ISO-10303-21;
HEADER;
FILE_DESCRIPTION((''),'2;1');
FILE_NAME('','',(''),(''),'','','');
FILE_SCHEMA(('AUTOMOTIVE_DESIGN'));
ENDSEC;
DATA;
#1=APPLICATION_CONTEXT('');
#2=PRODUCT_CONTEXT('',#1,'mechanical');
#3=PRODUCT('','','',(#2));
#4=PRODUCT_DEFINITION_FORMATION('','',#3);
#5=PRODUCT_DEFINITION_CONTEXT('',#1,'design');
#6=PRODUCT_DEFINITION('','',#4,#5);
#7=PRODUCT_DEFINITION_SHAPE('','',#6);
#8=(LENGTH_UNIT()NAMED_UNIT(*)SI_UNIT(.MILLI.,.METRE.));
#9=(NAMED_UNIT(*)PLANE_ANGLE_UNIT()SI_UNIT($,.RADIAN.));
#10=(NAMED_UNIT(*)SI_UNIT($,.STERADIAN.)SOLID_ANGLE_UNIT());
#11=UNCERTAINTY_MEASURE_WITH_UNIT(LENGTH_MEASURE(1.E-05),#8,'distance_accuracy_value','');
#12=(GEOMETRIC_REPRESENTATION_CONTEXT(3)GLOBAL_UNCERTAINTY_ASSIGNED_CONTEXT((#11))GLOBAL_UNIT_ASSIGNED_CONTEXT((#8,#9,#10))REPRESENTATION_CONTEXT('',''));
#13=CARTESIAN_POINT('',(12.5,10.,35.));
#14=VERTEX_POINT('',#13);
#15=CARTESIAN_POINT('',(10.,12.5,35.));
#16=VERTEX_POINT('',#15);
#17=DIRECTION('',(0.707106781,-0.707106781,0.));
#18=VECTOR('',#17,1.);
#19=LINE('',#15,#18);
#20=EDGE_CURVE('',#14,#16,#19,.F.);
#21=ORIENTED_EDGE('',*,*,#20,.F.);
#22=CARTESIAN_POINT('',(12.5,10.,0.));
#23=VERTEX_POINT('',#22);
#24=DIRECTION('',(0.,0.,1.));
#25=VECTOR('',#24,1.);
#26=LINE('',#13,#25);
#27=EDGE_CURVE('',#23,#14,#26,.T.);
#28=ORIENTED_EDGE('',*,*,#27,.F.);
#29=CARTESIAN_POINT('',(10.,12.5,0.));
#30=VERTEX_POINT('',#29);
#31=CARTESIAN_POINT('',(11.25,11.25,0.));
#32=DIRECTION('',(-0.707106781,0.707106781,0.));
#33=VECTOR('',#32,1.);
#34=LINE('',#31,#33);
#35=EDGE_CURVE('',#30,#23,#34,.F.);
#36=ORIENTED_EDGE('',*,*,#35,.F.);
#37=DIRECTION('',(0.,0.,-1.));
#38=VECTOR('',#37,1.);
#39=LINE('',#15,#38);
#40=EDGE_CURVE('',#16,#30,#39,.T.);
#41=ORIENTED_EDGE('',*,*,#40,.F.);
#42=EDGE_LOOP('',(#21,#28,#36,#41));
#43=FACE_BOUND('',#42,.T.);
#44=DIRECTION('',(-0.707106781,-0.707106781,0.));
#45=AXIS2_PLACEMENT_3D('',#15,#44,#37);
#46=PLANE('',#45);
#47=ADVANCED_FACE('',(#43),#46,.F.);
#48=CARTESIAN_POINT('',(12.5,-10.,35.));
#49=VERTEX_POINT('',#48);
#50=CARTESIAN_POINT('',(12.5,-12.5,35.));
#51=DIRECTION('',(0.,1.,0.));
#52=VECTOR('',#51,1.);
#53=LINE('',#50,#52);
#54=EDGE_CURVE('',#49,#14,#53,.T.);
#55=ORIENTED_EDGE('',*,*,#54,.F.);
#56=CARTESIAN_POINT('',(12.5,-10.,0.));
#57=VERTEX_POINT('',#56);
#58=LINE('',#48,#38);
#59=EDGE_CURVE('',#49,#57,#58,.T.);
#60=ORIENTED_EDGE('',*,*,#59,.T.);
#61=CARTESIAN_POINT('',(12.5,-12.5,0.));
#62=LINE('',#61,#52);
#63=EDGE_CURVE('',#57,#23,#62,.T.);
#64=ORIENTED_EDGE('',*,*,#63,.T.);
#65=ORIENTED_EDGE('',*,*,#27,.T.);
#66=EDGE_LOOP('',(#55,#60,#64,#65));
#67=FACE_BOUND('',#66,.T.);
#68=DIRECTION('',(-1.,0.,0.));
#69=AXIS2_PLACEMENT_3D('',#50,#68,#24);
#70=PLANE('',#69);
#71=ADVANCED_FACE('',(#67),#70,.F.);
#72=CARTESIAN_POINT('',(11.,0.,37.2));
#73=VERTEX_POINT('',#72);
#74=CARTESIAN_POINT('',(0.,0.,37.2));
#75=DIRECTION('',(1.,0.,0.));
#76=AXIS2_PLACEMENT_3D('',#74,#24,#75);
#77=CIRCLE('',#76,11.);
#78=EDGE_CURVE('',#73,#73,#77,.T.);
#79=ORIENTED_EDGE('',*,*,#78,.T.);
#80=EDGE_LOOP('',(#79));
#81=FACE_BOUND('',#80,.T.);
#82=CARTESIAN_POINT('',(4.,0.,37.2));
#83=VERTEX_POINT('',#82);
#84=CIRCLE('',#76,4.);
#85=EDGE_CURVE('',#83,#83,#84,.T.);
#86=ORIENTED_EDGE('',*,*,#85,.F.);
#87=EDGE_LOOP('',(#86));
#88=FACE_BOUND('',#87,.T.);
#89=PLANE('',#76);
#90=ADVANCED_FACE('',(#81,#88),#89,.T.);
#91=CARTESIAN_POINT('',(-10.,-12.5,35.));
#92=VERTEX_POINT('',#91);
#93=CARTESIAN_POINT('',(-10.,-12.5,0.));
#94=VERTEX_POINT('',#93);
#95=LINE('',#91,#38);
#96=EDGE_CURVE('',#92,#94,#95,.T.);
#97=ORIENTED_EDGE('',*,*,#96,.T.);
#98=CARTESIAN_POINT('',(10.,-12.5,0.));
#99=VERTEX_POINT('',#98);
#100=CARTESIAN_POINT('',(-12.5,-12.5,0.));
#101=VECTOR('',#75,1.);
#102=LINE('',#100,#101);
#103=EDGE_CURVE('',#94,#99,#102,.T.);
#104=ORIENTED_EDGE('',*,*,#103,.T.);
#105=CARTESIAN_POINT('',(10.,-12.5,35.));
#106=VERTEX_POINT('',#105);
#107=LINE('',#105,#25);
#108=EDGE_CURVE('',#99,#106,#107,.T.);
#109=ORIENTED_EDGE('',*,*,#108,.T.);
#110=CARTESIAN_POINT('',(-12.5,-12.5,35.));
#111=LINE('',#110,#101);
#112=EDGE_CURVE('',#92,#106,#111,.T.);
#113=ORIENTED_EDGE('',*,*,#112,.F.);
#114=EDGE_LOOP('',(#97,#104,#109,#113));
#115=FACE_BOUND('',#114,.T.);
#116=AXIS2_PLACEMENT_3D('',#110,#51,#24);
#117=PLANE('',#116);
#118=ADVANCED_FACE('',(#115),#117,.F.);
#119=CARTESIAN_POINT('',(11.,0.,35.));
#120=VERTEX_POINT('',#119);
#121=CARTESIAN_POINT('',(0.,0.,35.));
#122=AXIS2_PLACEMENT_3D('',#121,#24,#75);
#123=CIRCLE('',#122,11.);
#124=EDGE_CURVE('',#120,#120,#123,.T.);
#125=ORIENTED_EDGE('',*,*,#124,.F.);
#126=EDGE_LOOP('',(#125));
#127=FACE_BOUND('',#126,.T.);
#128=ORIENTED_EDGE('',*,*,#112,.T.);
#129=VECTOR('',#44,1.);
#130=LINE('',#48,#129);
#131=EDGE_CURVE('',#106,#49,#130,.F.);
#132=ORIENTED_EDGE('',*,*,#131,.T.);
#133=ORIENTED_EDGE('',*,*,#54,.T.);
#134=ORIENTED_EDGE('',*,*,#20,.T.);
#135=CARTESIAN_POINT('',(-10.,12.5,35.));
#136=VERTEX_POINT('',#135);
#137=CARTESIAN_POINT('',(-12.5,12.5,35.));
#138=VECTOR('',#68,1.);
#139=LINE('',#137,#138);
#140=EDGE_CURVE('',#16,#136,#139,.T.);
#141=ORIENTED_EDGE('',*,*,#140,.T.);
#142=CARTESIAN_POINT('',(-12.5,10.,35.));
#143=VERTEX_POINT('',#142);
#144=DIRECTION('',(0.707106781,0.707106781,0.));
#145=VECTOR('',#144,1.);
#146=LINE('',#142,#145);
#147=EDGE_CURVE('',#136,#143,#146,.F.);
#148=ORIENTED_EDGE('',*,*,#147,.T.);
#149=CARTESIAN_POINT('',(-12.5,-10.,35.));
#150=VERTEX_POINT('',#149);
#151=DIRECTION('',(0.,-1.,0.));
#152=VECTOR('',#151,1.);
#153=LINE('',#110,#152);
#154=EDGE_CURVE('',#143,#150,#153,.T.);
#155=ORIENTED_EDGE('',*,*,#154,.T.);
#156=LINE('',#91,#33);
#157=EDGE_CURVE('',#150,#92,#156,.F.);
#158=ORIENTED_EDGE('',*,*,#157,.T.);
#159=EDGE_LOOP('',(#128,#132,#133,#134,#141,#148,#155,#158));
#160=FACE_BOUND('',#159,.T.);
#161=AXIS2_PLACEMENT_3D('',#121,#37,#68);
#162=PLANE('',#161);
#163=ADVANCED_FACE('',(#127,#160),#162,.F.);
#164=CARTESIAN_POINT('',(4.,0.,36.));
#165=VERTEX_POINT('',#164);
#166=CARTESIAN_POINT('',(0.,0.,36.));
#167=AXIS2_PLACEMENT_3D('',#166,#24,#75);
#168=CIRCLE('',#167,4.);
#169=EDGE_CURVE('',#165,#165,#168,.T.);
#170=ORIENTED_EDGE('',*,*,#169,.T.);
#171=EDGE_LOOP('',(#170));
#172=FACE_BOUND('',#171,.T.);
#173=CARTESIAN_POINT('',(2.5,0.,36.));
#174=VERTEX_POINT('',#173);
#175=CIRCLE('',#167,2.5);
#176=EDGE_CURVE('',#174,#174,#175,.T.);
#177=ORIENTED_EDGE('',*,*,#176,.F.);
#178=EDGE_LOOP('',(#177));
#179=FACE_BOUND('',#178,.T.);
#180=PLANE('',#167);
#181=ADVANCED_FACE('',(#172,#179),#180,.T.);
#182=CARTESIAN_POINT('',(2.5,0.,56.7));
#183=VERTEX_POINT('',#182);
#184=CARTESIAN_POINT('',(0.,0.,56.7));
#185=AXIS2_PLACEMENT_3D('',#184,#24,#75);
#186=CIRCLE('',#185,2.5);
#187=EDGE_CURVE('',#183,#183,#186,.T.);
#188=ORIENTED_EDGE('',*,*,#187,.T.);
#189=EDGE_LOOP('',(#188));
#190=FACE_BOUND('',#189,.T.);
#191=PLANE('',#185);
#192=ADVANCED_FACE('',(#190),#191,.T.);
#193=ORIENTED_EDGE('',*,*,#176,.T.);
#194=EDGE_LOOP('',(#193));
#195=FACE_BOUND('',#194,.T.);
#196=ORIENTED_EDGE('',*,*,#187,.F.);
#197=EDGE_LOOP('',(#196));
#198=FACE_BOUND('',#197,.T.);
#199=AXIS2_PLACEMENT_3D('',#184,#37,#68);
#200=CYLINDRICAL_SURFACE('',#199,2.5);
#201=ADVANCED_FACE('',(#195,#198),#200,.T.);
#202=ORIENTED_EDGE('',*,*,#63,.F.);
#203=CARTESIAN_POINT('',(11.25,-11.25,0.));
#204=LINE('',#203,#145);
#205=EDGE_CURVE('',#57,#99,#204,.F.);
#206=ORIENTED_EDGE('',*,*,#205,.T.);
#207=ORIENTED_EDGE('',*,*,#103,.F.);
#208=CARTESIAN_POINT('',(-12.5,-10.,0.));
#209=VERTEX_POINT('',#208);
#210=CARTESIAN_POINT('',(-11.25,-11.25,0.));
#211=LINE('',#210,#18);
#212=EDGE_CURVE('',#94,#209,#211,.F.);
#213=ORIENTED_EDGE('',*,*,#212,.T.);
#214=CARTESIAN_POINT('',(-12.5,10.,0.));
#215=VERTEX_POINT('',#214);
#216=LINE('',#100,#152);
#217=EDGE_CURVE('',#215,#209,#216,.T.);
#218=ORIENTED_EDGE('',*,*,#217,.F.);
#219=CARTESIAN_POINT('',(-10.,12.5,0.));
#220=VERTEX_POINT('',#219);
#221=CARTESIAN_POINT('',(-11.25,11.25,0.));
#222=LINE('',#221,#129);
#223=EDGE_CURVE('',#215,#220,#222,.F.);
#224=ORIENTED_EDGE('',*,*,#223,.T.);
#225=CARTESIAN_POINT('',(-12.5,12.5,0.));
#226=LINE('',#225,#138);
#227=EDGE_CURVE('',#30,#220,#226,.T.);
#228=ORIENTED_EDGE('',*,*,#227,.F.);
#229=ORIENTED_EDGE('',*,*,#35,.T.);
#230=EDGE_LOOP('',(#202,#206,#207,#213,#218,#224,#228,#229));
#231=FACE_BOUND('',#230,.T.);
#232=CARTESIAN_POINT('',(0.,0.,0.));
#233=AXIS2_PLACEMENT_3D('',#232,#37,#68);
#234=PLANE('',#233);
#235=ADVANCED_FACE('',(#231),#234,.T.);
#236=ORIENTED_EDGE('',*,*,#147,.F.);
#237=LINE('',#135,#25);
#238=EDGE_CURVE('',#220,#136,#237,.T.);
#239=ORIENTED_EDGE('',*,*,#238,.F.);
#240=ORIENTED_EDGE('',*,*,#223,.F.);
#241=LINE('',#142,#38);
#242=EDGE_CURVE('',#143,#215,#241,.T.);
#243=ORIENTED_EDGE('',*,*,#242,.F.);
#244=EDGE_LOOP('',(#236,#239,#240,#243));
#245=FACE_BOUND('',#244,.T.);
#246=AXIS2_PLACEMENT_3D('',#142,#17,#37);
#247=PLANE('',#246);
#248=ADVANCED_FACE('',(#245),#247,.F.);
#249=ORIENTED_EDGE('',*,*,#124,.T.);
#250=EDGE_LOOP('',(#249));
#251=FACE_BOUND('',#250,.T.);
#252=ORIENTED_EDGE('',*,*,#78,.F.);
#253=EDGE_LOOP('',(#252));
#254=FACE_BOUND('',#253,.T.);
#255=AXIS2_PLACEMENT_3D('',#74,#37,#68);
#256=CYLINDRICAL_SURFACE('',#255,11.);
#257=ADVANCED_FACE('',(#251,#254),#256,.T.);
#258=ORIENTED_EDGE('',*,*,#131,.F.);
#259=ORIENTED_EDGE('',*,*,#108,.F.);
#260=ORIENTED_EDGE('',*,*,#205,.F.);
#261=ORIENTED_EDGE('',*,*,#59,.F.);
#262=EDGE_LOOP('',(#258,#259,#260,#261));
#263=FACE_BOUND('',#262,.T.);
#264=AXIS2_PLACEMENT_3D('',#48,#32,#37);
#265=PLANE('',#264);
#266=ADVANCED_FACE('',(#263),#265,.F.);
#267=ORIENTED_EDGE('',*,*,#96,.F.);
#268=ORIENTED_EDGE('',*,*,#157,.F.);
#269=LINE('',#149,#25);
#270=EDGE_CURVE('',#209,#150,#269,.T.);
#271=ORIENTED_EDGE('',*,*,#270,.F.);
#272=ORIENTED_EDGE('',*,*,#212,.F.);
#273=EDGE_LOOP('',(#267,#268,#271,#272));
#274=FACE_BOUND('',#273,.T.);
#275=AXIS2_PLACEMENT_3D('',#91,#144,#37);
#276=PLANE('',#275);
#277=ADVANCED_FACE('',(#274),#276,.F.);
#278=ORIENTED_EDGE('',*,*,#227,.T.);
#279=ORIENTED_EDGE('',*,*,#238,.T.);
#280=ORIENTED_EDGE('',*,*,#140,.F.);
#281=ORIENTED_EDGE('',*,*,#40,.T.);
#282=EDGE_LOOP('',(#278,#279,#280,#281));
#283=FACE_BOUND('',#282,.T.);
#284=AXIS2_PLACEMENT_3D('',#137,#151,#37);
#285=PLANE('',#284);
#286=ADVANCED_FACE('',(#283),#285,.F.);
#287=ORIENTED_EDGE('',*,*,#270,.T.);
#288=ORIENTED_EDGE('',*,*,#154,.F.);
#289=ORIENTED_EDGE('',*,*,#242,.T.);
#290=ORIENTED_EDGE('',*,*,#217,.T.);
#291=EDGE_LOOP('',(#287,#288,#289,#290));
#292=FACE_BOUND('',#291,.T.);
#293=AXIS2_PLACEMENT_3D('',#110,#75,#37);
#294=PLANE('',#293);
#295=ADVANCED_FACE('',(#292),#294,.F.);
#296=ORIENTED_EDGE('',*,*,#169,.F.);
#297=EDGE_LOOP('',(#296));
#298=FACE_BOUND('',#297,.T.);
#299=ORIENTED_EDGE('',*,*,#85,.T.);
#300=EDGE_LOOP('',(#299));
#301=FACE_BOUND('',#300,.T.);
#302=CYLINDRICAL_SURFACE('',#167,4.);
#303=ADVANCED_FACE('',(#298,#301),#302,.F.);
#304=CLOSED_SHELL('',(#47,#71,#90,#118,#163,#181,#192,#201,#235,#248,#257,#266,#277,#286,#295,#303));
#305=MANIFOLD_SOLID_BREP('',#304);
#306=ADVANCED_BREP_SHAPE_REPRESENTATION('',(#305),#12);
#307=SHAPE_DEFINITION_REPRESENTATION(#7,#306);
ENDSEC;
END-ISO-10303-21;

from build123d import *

# Parameters (mm, degrees)
SKETCH1_W           = 25
SKETCH1_H           = 25
BOSS_EXTRUDE1_DEPTH = 35
SKETCH2_R           = 11
BOSS_EXTRUDE2_DEPTH = 2.2
CHAMFER1_SIZE       = 2.5
SKETCH4_R           = 4
CUT_EXTRUDE1_DEPTH  = 1.2
SKETCH3_R           = 2.5
BOSS_EXTRUDE3_DEPTH = 20.7


with BuildPart() as part:
    # Sketch1 → Boss-Extrude1 (new body)
    with BuildSketch(Plane.XY):
        Rectangle(SKETCH1_W, SKETCH1_H)
    extrude(amount=BOSS_EXTRUDE1_DEPTH)

    # Sketch2 → Boss-Extrude2 (add)
    with BuildSketch(Plane.XY.offset(35)):
        Circle(SKETCH2_R)
    extrude(amount=BOSS_EXTRUDE2_DEPTH)

    # Chamfer1
    chamfer1_edges = [part.edges().sort_by_distance(p)[0] for p in [
        (12.5, -12.5, 17.5),
        (-12.5, -12.5, 17.5),
        (-12.5, 12.5, 17.5),
        (12.5, 12.5, 17.5),
    ]]
    chamfer(chamfer1_edges, length=CHAMFER1_SIZE)

    # Sketch4 → Cut-Extrude1 (cut)
    with BuildSketch(Plane.XY.offset(37.2)):
        Circle(SKETCH4_R)
    extrude(amount=-CUT_EXTRUDE1_DEPTH, mode=Mode.SUBTRACT)

    # Sketch3 → Boss-Extrude3 (add)
    with BuildSketch(Plane.XY.offset(36)):
        Circle(SKETCH3_R)
    extrude(amount=BOSS_EXTRUDE3_DEPTH)


solid = part.part
